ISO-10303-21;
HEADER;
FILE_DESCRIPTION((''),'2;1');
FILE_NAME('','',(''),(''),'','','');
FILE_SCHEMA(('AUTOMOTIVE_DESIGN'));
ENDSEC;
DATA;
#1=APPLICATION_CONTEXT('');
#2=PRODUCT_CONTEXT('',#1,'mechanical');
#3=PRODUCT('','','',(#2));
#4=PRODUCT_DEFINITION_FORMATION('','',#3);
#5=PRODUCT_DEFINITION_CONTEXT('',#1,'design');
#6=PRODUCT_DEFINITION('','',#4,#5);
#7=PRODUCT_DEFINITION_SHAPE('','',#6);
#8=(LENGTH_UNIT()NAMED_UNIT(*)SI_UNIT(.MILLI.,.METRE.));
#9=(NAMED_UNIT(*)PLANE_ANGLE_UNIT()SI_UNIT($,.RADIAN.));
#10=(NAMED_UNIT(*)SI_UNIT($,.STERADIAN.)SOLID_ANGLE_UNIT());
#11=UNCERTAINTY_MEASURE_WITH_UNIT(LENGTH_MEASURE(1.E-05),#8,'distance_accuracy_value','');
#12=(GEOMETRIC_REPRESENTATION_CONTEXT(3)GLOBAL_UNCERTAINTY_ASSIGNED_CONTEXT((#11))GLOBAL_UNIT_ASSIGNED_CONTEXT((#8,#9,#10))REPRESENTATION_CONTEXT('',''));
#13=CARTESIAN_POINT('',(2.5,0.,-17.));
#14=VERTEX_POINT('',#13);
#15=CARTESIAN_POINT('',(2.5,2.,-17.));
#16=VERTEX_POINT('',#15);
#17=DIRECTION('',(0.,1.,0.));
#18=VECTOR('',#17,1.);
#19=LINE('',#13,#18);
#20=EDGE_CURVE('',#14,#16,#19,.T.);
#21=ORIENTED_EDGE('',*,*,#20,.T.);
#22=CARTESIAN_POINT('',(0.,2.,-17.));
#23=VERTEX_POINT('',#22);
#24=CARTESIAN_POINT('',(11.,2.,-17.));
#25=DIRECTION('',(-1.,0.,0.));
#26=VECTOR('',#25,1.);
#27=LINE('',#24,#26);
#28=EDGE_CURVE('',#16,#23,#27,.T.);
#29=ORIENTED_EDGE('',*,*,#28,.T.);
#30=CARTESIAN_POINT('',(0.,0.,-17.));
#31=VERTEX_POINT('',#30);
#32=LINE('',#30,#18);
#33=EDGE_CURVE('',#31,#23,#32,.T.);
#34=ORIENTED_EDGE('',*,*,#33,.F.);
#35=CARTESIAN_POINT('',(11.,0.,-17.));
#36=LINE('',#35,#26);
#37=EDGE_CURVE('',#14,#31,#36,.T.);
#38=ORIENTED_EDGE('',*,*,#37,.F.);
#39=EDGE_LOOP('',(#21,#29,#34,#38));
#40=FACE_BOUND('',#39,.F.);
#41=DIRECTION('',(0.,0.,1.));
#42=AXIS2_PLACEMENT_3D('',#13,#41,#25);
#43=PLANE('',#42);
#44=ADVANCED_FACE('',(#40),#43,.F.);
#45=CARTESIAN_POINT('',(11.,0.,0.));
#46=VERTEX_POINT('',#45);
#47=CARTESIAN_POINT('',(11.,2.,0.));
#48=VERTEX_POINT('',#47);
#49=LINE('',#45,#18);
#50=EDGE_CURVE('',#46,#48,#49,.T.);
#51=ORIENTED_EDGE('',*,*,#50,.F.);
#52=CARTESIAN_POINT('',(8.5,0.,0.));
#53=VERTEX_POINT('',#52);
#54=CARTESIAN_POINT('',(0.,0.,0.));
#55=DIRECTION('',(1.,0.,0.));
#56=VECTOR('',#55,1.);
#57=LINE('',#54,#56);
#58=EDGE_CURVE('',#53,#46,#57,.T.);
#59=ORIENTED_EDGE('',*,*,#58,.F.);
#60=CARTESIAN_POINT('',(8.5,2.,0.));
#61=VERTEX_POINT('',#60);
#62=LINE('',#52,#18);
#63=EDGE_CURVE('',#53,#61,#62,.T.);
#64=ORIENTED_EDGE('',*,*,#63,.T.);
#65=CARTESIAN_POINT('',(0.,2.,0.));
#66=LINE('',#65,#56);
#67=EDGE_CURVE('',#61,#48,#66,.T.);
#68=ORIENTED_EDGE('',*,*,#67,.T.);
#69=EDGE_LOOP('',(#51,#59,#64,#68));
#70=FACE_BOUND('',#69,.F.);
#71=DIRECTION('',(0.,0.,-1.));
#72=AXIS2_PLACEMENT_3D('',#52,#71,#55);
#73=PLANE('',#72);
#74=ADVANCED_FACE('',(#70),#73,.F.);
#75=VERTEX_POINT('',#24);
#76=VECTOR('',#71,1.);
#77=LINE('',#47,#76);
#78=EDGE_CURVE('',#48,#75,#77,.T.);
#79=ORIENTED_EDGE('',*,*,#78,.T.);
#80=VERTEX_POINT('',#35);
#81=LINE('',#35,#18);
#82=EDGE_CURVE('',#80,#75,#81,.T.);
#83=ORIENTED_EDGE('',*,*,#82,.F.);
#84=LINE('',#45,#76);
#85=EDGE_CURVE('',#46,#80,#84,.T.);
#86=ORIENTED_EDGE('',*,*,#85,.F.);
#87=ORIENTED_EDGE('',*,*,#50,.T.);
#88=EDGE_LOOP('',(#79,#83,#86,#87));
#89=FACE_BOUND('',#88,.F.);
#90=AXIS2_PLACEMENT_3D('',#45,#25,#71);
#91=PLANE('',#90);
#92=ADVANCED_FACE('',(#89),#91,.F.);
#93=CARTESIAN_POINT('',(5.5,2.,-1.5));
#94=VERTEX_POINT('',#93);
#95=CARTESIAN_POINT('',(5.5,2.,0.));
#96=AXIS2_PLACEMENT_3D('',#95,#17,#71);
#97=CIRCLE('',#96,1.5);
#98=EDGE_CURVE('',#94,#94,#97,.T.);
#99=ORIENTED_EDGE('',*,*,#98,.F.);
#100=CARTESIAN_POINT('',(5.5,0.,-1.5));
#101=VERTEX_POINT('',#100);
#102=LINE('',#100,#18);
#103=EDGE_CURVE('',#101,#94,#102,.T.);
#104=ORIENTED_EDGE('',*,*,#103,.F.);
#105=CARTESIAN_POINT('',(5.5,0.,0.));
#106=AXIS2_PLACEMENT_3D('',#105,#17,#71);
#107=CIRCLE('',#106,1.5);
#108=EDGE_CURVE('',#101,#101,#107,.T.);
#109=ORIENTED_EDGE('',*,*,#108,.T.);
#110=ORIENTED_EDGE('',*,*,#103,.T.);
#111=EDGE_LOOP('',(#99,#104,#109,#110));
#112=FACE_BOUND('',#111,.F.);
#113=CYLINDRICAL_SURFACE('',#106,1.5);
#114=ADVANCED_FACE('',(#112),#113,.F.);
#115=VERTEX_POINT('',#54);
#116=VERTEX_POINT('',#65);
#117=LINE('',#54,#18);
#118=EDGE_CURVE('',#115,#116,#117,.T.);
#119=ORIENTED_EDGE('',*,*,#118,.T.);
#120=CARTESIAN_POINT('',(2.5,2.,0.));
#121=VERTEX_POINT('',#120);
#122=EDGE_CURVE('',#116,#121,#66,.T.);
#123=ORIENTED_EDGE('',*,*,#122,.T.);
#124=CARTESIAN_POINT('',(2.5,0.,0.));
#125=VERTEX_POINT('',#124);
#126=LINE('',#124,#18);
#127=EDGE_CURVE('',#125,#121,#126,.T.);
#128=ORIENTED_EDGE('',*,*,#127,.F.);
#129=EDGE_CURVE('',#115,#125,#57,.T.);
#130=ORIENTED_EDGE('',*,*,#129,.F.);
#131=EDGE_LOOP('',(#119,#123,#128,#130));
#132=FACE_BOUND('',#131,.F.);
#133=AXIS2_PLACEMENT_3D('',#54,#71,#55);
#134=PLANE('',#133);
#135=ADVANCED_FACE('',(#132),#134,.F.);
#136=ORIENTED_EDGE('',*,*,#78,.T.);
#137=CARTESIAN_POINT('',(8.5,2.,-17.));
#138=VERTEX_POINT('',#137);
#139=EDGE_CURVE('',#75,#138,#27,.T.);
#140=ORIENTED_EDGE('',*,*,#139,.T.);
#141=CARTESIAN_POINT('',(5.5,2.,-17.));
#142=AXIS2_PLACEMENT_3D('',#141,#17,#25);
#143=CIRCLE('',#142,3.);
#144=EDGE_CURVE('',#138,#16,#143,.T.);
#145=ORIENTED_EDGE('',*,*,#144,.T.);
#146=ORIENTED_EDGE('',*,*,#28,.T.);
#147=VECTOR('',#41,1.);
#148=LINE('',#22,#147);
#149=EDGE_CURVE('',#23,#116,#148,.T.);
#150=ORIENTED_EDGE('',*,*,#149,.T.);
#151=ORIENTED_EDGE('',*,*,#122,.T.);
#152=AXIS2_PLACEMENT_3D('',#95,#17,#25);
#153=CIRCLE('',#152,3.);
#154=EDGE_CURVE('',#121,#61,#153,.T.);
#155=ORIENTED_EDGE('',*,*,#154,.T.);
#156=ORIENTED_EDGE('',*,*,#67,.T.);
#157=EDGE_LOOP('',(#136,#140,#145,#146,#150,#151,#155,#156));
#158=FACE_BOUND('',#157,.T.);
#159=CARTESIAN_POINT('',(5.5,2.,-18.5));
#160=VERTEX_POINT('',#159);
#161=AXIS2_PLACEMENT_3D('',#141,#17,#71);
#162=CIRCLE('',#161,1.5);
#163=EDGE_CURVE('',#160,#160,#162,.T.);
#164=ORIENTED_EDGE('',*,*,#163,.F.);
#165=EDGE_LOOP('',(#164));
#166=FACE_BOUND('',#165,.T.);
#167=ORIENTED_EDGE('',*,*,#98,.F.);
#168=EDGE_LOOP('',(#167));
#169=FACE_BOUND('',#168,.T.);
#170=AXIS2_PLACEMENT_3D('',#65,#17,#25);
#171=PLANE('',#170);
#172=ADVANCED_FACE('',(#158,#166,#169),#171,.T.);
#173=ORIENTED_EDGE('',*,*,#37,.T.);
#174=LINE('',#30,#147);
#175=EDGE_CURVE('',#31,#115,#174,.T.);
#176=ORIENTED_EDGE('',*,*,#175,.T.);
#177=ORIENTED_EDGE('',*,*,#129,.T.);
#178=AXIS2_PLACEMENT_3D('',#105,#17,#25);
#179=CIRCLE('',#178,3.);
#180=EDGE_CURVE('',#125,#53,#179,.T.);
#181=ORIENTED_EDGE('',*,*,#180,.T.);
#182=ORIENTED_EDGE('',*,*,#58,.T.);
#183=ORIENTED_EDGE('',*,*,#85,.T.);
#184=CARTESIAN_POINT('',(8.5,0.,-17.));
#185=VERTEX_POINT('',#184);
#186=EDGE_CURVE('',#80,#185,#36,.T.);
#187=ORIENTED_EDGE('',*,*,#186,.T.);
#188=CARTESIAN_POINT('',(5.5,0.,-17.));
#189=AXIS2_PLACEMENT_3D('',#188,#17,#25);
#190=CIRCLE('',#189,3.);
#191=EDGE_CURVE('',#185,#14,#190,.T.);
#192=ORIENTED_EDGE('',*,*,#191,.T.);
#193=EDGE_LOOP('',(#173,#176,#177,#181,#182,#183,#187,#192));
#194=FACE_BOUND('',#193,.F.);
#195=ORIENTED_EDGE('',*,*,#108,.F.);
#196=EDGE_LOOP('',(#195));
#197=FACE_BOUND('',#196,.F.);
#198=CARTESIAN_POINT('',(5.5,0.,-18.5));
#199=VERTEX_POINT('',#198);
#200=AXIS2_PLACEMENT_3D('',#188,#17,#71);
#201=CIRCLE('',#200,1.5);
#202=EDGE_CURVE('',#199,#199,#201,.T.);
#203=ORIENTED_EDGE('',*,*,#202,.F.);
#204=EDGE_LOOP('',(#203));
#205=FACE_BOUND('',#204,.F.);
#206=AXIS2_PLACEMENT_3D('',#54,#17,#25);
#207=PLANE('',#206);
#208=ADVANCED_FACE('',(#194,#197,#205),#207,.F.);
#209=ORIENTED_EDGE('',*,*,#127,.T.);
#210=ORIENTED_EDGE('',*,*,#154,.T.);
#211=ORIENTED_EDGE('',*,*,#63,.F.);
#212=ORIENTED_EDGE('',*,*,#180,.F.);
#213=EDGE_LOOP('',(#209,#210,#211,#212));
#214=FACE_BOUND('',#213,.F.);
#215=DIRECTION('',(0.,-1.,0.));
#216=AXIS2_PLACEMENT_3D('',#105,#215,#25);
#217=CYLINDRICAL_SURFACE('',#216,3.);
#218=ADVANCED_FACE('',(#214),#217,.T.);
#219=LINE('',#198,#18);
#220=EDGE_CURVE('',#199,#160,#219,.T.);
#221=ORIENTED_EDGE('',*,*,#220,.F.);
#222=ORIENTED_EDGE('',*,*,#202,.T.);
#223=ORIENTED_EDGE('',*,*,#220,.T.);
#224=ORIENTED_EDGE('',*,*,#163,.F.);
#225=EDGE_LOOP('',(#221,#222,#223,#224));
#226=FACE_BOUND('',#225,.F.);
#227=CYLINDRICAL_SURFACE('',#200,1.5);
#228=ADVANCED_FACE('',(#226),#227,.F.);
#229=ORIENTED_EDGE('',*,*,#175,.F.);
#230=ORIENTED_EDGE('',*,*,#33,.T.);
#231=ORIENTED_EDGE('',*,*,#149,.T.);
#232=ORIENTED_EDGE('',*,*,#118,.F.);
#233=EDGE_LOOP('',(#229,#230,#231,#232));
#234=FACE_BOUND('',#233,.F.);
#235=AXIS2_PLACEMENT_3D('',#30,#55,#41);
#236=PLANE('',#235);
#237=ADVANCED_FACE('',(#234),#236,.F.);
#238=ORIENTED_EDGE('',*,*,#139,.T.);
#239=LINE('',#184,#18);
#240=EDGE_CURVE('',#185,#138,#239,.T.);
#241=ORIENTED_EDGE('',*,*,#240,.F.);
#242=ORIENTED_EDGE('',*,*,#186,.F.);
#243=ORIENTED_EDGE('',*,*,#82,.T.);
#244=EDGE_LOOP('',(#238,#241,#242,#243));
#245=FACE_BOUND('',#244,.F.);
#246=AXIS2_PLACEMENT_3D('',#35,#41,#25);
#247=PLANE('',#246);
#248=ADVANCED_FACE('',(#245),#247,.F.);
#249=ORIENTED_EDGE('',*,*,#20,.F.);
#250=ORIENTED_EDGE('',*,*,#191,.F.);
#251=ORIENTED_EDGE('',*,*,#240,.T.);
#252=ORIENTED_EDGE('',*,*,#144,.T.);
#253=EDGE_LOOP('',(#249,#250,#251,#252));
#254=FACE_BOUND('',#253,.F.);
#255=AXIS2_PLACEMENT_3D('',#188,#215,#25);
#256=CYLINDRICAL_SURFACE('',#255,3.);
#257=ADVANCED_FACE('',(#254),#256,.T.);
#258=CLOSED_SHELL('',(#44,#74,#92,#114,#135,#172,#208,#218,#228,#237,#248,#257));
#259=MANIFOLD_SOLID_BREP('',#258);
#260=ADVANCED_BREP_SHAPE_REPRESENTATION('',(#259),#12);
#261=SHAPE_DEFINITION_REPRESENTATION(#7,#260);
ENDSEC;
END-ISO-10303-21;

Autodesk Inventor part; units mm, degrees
ref_plane "YZ Plane" through (0, 0, 0) normal (1, 0, 0) x (0, 1, 0)
ref_plane "XZ Plane" through (0, 0, 0) normal (0, 1, 0) x (-1, 0, 0)
ref_plane "XY Plane" through (0, 0, 0) normal (0, 0, 1) x (1, 0, 0)
sketch "Sketch1" plane through (0, 0, 0) normal (0, 1, 0) x (-1, 0, 0)
  line L0 (0, 0) -> (-11, 0)
  line L1 (-11, 0) -> (-11, -17)
  line L2 (-11, -17) -> (0, -17)
  line L3 (0, -17) -> (0, 0)
  circle A0 centre (-5.5, 0) radius 3
  circle A1 centre (-5.5, -17) radius 3
  circle A2 centre (-5.5, 0) radius 1.5
  circle A3 centre (-5.5, -17) radius 1.5
  circle A4 centre (-5.5, -17) radius 3
  circle A5 centre (-5.5, -17) radius 1.5
  circle A6 centre (-5.5, 0) radius 1.5
  circle A7 centre (-5.5, 0) radius 3
  point P0 (-8.5, -17)
  point P1 (-2.5, -17)
  point P2 (-2.5, 0)
  point P3 (-8.5, 0)
  dimension "d0" = 11
  dimension "d1" = 17
  dimension "d2" = 6
  dimension "d3" = 6
  dimension "d6" = 3
  dimension "d7" = 3
extrude "Extrusion1" add sketch "Sketch1" along normal blind 2
sketch "Sketch2" plane through (0, 2, 0) normal (0, 1, 0) x (1, 0, 0)
  point P0 (0, 0)
sketch "Sketch3" plane through (0, 0, 0) normal (0, -1, 0) x (1, 0, 0)
  point P0 (0, 0)
sketch "Sketch4" plane through (0, 0, 0) normal (0, -1, 0) x (1, 0, 0)
  arc A0 (8.5, 0) -> (2.5, 0) centre (5.5, 0) ccw projected
  circle A1 centre (5.5, 0) radius 1.5
  arc A2 (2.5, -17) -> (8.5, -17) centre (5.5, -17) ccw projected
  circle A3 centre (5.5, -17) radius 1.5
  circle A4 centre (5.5, -17) radius 1.5
  circle A5 centre (5.5, 0) radius 1.5
  point P0 (0, 0)
  dimension "d8" = 3
  dimension "d9" = 3
hole "Hole1" at (5.5, 0, 0) at (5.5, 0, -17) direction (0, 1, 0) diameter 3 end through all
properties part number "przykrywka"
